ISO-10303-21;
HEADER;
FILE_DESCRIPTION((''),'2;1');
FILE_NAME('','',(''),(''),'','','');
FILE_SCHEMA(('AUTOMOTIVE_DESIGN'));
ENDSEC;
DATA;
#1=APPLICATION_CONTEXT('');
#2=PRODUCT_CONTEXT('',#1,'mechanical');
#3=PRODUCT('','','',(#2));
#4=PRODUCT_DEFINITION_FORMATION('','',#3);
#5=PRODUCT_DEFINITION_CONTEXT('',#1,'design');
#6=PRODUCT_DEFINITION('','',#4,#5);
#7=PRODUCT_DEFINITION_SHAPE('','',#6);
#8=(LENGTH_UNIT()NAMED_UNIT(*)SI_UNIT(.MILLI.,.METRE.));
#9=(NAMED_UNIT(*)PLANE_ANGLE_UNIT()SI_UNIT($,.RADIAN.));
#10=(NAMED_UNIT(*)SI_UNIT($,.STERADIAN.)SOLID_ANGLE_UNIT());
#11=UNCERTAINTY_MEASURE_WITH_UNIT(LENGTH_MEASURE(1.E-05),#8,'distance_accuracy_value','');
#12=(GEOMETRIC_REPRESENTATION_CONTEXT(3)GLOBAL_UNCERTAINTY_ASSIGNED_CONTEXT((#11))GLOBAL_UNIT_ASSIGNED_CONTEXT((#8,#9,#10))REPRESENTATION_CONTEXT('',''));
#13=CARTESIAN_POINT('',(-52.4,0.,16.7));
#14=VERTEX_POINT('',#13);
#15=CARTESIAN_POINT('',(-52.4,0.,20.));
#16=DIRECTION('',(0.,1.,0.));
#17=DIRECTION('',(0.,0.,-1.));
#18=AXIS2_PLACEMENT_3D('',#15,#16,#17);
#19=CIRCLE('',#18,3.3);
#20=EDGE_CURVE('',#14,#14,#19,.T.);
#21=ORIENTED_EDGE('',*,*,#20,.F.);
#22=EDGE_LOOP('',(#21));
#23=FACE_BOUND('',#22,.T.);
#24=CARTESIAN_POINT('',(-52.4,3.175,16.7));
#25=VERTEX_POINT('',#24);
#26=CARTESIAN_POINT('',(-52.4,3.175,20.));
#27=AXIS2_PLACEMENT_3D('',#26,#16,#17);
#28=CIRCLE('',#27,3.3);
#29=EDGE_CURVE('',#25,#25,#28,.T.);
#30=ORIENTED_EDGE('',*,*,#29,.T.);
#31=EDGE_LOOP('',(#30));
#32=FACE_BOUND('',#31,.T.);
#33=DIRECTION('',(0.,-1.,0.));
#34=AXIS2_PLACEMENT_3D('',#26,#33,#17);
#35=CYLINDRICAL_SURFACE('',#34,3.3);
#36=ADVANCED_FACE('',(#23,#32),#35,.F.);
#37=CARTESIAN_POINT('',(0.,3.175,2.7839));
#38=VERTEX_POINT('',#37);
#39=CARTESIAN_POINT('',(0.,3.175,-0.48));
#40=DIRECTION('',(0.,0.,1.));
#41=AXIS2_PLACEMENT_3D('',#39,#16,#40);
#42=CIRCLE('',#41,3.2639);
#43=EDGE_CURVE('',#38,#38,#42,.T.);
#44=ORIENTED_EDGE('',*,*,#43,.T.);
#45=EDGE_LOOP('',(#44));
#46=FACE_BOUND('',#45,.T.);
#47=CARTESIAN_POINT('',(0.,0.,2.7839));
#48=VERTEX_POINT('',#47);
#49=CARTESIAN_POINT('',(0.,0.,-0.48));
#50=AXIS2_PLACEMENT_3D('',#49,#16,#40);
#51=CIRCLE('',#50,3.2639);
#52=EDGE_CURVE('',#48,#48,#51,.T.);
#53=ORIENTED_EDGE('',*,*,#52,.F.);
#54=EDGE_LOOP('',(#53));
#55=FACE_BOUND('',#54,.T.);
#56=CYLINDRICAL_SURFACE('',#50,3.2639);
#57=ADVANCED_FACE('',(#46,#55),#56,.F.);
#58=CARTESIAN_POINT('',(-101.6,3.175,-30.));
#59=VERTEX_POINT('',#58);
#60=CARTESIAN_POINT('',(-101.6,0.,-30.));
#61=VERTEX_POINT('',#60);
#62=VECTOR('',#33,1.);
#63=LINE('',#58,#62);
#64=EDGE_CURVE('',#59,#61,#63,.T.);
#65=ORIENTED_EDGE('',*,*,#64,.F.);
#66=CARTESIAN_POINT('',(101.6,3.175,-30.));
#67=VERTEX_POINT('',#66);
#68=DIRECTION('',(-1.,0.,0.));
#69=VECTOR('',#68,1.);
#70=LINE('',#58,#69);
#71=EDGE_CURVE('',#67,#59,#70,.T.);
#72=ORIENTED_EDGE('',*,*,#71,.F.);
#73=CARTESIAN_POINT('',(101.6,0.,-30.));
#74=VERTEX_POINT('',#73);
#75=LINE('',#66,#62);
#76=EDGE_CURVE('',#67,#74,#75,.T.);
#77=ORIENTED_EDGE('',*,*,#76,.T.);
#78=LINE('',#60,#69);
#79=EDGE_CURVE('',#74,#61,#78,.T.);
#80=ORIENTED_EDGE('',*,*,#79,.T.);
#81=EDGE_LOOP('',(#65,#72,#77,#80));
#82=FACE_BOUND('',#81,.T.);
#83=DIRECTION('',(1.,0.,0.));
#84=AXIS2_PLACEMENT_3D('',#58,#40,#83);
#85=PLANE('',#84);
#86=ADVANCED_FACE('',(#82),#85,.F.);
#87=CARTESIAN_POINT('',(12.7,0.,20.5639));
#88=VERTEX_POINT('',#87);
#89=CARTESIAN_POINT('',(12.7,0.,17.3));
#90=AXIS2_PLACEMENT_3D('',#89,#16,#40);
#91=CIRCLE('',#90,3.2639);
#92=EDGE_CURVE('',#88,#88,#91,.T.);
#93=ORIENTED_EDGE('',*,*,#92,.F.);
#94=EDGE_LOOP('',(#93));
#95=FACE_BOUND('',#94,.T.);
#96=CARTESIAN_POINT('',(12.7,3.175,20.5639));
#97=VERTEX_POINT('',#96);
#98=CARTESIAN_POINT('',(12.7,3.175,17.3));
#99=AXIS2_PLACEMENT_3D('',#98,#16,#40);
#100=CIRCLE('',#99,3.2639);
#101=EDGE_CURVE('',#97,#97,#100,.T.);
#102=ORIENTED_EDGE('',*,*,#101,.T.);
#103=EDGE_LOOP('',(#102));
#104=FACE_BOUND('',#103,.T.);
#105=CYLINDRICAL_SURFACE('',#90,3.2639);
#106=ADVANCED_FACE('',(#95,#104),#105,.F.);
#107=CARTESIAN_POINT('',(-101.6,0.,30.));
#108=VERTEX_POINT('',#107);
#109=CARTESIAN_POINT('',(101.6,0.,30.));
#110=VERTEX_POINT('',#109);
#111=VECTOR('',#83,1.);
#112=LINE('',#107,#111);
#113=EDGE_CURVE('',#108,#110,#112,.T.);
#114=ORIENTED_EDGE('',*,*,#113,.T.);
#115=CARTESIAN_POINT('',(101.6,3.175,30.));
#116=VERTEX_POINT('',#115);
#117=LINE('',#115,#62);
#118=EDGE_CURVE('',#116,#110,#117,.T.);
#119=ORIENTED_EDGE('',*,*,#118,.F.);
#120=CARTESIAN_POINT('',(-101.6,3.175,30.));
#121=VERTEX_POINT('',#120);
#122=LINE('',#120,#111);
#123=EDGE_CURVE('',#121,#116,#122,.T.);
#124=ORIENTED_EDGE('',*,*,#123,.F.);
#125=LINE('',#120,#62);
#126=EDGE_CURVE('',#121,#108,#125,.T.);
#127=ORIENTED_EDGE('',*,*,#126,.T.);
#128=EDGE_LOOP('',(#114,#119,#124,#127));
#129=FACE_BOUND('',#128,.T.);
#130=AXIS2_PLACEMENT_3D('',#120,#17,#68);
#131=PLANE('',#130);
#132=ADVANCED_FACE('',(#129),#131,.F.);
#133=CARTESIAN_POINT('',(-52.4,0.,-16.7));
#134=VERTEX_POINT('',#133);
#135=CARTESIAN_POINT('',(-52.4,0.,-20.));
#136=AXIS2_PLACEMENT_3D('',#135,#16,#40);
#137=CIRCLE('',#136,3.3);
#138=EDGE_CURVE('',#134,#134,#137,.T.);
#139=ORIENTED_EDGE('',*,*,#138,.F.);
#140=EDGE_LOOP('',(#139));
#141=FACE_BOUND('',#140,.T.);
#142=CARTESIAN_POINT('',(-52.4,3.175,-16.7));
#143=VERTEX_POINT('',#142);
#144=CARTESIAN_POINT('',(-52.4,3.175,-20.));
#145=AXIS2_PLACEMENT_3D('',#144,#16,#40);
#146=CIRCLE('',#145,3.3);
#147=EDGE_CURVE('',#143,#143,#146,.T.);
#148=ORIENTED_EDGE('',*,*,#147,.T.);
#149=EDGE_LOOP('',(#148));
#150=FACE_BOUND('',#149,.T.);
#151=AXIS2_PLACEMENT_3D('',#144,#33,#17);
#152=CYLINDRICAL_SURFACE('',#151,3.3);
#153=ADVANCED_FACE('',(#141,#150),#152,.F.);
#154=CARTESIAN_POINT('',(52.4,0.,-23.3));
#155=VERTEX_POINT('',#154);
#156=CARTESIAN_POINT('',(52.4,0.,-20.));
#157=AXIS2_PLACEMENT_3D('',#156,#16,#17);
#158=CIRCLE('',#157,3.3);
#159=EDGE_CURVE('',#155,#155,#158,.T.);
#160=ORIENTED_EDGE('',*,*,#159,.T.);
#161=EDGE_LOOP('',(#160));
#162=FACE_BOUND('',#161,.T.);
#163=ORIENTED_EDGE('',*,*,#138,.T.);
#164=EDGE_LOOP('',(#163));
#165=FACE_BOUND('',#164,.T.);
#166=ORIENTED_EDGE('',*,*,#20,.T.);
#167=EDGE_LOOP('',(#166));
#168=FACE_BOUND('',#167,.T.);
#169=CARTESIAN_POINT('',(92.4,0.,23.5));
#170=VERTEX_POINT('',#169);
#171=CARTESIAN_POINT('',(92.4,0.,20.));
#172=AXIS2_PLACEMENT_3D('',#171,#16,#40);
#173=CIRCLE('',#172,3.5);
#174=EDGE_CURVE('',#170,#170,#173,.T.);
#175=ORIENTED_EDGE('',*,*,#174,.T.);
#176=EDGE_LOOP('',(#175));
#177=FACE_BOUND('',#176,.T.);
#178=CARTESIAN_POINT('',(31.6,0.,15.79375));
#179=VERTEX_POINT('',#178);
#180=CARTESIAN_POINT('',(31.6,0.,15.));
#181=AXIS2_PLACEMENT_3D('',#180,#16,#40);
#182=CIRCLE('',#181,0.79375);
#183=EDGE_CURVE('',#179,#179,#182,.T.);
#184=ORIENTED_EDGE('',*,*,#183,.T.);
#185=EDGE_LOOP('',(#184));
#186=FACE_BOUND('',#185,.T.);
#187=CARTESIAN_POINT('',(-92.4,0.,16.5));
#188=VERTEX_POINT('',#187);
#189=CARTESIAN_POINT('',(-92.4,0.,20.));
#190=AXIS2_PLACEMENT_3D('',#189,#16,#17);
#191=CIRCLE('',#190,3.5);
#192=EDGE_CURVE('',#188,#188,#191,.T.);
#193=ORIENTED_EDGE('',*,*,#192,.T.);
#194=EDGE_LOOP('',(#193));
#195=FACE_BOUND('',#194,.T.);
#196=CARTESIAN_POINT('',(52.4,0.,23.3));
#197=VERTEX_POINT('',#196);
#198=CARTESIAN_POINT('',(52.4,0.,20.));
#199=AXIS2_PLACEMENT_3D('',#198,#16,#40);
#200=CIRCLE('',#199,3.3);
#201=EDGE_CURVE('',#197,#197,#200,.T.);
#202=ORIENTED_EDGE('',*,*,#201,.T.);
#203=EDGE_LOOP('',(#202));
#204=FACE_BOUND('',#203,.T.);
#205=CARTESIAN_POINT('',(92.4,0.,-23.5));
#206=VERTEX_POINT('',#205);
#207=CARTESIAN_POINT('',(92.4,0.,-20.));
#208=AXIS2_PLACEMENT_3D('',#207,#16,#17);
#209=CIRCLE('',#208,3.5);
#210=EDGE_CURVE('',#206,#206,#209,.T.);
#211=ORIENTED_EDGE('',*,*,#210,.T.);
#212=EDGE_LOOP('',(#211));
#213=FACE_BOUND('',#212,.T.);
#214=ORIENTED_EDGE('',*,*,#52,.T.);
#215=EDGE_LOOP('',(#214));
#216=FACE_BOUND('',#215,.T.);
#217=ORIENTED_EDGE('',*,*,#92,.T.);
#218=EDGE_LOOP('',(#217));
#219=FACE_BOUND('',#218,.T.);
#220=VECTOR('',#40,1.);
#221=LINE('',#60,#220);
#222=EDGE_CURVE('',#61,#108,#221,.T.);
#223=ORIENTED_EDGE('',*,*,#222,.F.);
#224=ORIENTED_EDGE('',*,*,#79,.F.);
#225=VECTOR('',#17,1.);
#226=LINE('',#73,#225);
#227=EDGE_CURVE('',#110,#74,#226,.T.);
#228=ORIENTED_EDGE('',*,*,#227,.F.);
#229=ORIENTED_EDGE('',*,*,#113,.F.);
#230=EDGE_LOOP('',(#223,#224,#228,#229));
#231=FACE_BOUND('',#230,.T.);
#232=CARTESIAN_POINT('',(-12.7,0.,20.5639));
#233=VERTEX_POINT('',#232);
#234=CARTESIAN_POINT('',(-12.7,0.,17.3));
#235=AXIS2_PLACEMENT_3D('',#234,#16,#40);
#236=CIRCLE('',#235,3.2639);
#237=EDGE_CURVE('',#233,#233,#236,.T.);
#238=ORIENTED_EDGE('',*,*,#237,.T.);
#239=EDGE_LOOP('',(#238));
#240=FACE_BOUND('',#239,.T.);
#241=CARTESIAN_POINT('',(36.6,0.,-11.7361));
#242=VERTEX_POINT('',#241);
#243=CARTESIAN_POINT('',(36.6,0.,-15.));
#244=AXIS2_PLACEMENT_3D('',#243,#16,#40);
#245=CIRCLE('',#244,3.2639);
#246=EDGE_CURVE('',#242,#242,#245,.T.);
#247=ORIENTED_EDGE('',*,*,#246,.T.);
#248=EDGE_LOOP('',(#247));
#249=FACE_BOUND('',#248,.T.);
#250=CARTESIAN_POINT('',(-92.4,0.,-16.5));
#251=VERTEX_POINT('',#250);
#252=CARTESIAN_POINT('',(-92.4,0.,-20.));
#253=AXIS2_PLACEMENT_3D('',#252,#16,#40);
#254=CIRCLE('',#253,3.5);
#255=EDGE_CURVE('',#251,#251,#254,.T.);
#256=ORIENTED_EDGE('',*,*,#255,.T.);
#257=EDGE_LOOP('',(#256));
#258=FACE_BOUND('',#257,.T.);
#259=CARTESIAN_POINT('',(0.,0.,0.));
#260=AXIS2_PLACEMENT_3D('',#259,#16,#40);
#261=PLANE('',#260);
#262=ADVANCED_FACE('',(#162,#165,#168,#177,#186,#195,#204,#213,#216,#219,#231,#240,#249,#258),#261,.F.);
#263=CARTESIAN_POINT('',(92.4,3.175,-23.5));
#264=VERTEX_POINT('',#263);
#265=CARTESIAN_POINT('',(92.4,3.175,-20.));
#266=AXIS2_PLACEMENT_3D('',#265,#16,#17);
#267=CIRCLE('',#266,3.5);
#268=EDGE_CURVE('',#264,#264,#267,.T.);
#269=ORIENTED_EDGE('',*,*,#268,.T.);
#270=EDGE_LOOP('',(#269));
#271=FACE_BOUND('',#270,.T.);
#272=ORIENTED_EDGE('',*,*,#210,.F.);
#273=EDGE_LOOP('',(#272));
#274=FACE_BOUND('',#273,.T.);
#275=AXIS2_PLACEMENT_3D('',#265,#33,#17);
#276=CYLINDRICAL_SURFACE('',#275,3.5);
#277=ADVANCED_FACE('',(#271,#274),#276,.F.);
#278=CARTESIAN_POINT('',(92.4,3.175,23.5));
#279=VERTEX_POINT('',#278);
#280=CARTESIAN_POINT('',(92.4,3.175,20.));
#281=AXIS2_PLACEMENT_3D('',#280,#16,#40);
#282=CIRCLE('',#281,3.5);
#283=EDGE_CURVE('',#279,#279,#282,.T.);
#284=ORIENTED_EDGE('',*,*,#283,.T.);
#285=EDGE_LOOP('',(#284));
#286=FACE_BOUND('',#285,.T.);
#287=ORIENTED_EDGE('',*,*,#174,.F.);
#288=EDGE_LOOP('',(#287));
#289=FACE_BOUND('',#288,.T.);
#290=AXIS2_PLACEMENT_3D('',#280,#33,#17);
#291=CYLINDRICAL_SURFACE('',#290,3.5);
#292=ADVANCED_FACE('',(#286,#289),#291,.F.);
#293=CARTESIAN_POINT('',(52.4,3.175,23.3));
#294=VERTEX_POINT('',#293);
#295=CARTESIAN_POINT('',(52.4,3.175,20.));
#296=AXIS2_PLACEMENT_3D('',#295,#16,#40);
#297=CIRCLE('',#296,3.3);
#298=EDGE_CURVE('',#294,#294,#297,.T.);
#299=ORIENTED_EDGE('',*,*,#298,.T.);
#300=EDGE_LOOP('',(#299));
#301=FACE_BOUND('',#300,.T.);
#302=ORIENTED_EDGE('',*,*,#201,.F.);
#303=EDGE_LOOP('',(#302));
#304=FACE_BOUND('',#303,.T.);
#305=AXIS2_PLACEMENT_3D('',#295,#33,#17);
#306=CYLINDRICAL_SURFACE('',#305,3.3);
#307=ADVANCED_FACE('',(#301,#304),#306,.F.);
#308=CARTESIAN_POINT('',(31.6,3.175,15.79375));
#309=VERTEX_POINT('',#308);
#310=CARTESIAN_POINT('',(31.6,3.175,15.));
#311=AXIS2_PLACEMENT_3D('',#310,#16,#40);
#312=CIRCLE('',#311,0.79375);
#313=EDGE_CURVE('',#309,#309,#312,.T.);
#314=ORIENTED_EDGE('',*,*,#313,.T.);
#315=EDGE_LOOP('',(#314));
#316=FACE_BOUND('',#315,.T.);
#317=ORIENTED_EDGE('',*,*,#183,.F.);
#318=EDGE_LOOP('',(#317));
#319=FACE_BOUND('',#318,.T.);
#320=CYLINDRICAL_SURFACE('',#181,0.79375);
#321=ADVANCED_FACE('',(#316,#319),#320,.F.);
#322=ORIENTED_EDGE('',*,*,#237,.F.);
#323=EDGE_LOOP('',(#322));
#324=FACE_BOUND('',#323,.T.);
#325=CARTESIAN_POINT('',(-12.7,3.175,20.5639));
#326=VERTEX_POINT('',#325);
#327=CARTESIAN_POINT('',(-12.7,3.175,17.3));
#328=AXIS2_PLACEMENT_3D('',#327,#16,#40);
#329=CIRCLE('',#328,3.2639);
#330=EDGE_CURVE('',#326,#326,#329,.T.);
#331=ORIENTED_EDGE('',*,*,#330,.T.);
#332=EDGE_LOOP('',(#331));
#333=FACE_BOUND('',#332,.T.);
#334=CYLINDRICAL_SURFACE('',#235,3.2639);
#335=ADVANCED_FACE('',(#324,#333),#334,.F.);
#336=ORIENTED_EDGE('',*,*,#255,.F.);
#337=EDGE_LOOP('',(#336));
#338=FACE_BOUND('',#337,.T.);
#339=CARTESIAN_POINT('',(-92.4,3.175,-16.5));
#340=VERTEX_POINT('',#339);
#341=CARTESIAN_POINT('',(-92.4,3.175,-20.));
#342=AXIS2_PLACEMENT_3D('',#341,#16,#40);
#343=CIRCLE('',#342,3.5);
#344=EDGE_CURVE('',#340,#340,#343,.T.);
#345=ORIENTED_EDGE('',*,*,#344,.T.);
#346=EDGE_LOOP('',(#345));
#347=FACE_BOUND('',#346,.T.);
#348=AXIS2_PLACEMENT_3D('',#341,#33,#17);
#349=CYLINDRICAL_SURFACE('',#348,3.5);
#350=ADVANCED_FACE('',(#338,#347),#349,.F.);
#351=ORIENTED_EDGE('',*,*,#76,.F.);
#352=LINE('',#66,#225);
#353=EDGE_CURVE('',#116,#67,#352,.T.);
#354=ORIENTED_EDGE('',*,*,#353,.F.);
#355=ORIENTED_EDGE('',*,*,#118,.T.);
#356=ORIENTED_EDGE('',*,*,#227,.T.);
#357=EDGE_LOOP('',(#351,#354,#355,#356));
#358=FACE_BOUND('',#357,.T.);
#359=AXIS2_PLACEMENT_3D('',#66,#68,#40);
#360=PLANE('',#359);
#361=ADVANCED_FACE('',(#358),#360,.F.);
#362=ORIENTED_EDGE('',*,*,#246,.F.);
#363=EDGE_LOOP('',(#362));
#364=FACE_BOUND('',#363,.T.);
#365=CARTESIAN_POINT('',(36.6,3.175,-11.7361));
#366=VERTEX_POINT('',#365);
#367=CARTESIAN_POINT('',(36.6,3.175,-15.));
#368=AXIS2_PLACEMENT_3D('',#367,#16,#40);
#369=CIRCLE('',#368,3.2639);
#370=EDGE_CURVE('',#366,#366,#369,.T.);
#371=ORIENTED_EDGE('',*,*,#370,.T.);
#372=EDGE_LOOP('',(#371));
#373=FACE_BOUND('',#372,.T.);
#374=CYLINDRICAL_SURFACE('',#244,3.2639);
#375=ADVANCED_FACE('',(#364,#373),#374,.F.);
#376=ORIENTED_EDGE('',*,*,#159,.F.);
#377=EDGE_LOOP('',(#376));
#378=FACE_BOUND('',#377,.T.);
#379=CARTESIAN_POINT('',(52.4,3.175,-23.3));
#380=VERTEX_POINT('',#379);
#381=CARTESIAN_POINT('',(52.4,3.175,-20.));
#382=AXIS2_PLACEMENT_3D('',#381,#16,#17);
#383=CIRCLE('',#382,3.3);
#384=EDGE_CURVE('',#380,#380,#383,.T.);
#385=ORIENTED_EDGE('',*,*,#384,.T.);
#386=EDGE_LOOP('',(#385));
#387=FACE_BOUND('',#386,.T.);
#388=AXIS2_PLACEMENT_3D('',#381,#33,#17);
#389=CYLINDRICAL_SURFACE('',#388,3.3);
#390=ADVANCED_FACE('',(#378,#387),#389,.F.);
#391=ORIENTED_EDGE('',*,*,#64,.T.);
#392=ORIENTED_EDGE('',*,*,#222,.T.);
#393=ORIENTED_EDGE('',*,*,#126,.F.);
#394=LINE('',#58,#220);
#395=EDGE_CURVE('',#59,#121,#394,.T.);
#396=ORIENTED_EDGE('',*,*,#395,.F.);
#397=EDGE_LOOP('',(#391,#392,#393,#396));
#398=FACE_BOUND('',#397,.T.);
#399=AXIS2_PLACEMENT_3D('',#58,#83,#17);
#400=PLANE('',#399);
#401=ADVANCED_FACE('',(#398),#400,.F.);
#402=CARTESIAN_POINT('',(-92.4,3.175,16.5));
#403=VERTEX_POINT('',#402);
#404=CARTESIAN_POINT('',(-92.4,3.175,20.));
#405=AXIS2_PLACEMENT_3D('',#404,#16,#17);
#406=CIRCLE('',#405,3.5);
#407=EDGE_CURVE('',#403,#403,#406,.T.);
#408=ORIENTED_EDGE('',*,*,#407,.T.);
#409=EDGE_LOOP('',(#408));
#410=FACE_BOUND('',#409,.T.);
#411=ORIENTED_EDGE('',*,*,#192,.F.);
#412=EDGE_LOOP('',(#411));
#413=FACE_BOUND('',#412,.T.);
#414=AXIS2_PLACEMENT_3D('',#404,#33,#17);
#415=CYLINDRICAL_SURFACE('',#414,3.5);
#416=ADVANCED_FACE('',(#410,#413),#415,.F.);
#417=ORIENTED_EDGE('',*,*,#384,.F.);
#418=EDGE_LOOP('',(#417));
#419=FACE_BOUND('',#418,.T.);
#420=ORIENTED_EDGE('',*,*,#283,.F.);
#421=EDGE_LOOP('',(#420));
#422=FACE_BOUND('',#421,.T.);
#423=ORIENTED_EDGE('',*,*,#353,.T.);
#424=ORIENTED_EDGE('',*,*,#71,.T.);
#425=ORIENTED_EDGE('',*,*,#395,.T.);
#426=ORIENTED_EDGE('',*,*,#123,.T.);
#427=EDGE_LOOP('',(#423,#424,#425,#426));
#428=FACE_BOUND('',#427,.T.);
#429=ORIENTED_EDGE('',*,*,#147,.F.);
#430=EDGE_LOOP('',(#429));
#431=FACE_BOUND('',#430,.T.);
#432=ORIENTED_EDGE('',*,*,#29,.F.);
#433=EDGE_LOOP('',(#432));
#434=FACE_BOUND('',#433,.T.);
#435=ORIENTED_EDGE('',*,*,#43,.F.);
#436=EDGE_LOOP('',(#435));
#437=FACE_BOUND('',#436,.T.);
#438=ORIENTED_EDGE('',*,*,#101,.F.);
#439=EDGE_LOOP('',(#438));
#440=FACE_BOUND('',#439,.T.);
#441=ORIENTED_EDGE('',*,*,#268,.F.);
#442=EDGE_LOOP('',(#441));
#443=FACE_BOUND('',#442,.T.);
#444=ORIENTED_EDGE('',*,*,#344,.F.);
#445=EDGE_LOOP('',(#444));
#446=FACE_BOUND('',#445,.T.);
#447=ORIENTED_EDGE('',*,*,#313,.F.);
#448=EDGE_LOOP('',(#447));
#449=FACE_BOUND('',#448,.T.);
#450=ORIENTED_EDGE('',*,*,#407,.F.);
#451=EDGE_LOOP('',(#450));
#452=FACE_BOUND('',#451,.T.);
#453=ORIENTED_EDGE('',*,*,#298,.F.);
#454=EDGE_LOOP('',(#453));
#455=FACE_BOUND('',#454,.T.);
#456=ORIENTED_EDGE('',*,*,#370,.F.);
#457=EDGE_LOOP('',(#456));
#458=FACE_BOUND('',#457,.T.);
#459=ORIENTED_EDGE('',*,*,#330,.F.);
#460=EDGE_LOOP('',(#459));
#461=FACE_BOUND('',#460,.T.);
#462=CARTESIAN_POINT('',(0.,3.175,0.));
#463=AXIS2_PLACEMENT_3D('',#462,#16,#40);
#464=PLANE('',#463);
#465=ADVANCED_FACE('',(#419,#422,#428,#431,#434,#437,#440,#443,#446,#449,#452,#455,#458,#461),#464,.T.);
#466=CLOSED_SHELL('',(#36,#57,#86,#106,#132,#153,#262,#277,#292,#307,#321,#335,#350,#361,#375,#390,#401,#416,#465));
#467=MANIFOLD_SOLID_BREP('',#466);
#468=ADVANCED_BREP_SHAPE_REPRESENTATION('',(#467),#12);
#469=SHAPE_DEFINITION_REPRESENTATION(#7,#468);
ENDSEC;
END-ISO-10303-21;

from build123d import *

# Parameters (mm, degrees)
SKETCH1_W                      = 203.2
SKETCH1_H                      = 60
SKETCH1_R                      = 3.3
SKETCH1_R_2                    = 3.5
BOSS_EXTRUDE1_DEPTH            = 3.175
SKETCH2_R                      = 3.2639
F_1_4_20_FOR_NUT_BRACKET_DEPTH = 106.984152707
SKETCH3_R                      = 0.79375
SKETCH3_R_2                    = 3.2639
WIRE_HOLDER_DEPTH              = 106.984152707


with BuildPart() as part:
    # Sketch1 → Boss-Extrude1 (new body)
    with BuildSketch(Plane(origin=(0, 0, 0), x_dir=(1, 0, 0), z_dir=(0, 1, 0))):
        Rectangle(SKETCH1_W, SKETCH1_H)
        with Locations(Location((-52.4, 20, 0), (0, 0, 270))):
            Circle(SKETCH1_R, mode=Mode.SUBTRACT)
        with Locations(Location((-92.4, -20, 0), (0, 0, 90))):
            Circle(SKETCH1_R_2, mode=Mode.SUBTRACT)
        with Locations(Location((-52.4, -20, 0), (0, 0, 90))):
            Circle(SKETCH1_R, mode=Mode.SUBTRACT)
        with Locations(Location((92.4, 20, 0), (0, 0, 90))):
            Circle(SKETCH1_R_2, mode=Mode.SUBTRACT)
        with Locations(Location((-92.4, 20, 0), (0, 0, 270))):
            Circle(SKETCH1_R_2, mode=Mode.SUBTRACT)
        with Locations(Location((52.4, -20, 0), (0, 0, 270))):
            Circle(SKETCH1_R, mode=Mode.SUBTRACT)
        with Locations(Location((92.4, -20, 0), (0, 0, 270))):
            Circle(SKETCH1_R_2, mode=Mode.SUBTRACT)
        with Locations(Location((52.4, 20, 0), (0, 0, 90))):
            Circle(SKETCH1_R, mode=Mode.SUBTRACT)
    extrude(amount=BOSS_EXTRUDE1_DEPTH)

    # Sketch2 → 1/4-20 for Nut Bracket (cut, through all)
    with BuildSketch(Plane(origin=(0, 3.175, 0), x_dir=(1, 0, 0), z_dir=(0, 1, 0))):
        with Locations(Location((-12.7, -17.3, 0), (0, 0, 270))):
            Circle(SKETCH2_R)
        with Locations(Location((12.7, -17.3, 0), (0, 0, 270))):
            Circle(SKETCH2_R)
        with Locations(Location((0, 0.48, 0), (0, 0, 270))):
            Circle(SKETCH2_R)
    extrude(amount=-F_1_4_20_FOR_NUT_BRACKET_DEPTH, mode=Mode.SUBTRACT)

    # Sketch3 → Wire Holder (cut, through all)
    with BuildSketch(Plane(origin=(0, 3.175, 0), x_dir=(1, 0, 0), z_dir=(0, 1, 0))):
        with Locations(Location((31.6, -15, 0), (0, 0, 270))):
            Circle(SKETCH3_R)
        with Locations(Location((36.6, 15, 0), (0, 0, 270))):
            Circle(SKETCH3_R_2)
    extrude(amount=-WIRE_HOLDER_DEPTH, mode=Mode.SUBTRACT)


solid = part.part
